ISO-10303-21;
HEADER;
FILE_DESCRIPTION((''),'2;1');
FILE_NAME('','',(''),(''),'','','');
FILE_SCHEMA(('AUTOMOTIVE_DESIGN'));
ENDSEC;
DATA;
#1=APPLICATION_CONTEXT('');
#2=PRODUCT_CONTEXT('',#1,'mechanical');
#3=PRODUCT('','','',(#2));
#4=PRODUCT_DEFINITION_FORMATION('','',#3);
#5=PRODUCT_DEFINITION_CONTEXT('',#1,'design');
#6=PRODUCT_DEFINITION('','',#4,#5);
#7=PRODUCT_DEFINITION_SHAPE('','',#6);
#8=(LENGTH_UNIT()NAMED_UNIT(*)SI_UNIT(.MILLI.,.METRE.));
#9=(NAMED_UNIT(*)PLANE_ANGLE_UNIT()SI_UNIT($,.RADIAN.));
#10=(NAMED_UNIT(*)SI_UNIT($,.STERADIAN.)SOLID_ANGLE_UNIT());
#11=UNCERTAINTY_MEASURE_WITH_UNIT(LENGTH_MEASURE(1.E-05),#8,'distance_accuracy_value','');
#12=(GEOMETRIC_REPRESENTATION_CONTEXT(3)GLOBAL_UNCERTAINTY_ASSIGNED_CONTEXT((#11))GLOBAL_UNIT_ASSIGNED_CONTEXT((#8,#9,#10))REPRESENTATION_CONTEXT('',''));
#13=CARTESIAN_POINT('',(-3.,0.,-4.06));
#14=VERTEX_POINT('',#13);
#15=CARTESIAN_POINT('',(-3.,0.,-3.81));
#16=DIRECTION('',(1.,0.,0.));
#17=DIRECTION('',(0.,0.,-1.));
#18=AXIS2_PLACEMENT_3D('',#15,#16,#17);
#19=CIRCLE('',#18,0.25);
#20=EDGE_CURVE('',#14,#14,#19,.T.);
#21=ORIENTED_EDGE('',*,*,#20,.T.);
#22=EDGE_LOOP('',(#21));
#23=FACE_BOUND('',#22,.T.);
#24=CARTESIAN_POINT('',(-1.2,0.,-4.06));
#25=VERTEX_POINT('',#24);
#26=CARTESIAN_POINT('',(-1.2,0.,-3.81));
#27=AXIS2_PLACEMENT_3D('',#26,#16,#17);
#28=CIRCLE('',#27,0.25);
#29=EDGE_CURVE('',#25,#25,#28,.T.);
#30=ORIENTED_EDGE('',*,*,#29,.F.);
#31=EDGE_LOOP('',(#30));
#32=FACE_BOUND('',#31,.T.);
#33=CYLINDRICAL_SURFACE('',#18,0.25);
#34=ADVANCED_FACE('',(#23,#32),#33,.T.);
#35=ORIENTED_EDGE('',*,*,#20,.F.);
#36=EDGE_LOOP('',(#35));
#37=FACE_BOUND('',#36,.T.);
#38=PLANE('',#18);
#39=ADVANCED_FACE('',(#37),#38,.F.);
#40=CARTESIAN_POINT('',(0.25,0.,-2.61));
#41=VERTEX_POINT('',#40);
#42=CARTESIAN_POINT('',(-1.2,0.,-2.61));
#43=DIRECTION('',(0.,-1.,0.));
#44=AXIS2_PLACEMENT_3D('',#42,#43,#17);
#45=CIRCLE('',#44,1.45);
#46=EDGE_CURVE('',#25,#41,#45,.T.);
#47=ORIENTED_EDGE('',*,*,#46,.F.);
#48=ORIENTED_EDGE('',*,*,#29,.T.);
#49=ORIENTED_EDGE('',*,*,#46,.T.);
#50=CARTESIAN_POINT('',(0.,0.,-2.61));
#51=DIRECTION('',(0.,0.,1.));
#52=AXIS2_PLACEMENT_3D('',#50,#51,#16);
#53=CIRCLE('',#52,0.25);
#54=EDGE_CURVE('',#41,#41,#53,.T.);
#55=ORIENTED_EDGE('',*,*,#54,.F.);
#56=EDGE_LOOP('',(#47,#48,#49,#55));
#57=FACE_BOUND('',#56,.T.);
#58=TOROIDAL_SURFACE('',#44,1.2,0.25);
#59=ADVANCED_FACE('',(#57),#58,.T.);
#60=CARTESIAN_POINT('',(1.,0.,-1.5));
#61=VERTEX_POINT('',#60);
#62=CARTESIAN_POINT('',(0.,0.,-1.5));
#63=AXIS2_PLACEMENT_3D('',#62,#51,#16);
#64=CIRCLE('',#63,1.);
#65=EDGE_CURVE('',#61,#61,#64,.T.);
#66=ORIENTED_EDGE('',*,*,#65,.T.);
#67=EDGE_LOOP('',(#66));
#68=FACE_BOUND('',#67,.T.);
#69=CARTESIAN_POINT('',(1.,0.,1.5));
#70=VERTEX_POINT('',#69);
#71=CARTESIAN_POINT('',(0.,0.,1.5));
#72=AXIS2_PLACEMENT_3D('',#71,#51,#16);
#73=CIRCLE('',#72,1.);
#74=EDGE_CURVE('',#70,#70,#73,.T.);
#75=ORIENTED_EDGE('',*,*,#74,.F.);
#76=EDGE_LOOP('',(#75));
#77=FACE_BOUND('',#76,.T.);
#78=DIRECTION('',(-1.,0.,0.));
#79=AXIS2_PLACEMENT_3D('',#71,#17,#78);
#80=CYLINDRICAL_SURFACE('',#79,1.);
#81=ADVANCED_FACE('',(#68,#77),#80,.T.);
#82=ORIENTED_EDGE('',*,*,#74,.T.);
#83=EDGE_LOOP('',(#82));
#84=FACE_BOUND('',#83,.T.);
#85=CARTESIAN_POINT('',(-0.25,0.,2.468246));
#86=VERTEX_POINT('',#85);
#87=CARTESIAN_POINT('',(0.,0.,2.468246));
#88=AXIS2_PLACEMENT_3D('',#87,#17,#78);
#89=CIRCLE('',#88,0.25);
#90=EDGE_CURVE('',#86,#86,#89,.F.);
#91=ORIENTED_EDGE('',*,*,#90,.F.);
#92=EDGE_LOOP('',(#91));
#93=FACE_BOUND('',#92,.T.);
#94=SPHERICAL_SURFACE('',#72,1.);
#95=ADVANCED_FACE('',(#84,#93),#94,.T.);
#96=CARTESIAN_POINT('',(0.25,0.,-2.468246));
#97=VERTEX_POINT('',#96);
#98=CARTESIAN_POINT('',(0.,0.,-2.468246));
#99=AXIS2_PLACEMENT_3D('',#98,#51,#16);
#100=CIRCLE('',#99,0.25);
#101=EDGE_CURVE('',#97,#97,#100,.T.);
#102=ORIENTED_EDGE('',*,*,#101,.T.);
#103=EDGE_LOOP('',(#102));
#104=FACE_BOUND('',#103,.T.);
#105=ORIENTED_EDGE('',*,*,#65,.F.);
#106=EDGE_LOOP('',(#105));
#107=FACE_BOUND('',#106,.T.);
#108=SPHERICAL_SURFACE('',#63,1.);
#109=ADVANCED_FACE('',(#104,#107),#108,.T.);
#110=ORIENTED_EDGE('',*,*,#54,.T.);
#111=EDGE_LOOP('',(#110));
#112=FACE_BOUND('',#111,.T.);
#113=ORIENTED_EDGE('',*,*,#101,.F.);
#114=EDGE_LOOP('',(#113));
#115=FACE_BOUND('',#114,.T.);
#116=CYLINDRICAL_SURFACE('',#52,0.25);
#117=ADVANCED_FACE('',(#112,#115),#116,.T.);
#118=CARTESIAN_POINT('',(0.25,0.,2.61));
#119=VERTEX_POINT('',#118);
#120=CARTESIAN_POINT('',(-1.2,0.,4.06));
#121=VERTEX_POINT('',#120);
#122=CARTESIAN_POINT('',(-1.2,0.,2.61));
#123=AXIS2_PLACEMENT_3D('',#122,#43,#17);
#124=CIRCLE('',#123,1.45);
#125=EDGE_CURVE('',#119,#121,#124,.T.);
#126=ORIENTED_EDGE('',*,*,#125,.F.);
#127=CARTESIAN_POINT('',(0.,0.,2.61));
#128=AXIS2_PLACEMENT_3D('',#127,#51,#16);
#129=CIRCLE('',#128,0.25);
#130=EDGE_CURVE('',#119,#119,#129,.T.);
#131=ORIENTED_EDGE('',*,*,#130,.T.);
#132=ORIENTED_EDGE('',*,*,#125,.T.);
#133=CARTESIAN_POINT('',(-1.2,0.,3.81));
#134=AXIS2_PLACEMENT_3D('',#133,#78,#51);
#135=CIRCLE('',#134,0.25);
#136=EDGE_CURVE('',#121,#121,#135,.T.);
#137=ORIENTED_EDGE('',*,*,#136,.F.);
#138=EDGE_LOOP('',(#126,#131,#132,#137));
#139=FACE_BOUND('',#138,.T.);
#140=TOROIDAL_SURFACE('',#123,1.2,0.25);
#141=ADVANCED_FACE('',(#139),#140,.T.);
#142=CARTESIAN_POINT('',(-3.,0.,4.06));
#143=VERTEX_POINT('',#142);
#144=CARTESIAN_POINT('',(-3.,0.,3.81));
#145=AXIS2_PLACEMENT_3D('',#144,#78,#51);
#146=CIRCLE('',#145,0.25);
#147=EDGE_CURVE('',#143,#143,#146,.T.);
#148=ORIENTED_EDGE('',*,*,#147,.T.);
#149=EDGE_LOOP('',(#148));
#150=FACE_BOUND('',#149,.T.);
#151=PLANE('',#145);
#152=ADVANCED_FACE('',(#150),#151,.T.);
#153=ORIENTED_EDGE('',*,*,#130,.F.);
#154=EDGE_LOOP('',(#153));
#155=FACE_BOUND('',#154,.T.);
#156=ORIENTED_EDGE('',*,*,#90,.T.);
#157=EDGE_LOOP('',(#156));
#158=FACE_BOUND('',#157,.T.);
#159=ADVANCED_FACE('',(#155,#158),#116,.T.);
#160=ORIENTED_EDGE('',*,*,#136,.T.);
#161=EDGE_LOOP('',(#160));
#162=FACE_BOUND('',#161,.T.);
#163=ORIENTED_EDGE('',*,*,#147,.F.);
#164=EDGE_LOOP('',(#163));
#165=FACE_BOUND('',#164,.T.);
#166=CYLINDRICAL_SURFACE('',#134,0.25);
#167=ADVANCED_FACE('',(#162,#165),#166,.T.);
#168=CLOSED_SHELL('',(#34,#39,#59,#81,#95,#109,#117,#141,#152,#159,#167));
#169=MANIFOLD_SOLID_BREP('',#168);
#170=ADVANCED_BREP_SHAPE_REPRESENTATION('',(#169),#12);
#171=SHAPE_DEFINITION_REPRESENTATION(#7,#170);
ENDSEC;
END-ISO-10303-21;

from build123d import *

# Parameters (mm, degrees)
SKETCH1_R           = 1
BOSS_EXTRUDE1_DEPTH = 1.5
DOME1_FACE_RADIUS   = 1
DOME1_HEIGHT        = 1
DOME2_FACE_RADIUS   = 1
DOME2_HEIGHT        = 1
SKETCH4_R           = 0.25


with BuildPart() as part:
    # Sketch1 → Boss-Extrude1 (new, symmetric)
    with BuildSketch(Plane.XY):
        Circle(SKETCH1_R)
    extrude(amount=BOSS_EXTRUDE1_DEPTH, both=True)

    # Dome1: a dome of height H over a round flat face of radius A is a cap of a sphere of radius (A * A + H * H) / (2 * H)
    dome1_r = (DOME1_FACE_RADIUS * DOME1_FACE_RADIUS + DOME1_HEIGHT * DOME1_HEIGHT) / (2 * DOME1_HEIGHT)
    dome1_base = Plane((0, 0, 1.5), z_dir=(0, 0, 1))
    with Locations(dome1_base.offset(DOME1_HEIGHT - dome1_r)):
        dome1_ball = Sphere(dome1_r, mode=Mode.PRIVATE)
    add(split(dome1_ball, bisect_by=dome1_base, keep=Keep.TOP, mode=Mode.PRIVATE))

    # Dome2: a dome of height H over a round flat face of radius A is a cap of a sphere of radius (A * A + H * H) / (2 * H)
    dome2_r = (DOME2_FACE_RADIUS * DOME2_FACE_RADIUS + DOME2_HEIGHT * DOME2_HEIGHT) / (2 * DOME2_HEIGHT)
    dome2_base = Plane((0, 0, -1.5), z_dir=(0, 0, -1))
    with Locations(dome2_base.offset(DOME2_HEIGHT - dome2_r)):
        dome2_ball = Sphere(dome2_r, mode=Mode.PRIVATE)
    add(split(dome2_ball, bisect_by=dome2_base, keep=Keep.TOP, mode=Mode.PRIVATE))

    # Sweep1: sweep along a path in Sketch3
    with BuildLine(Plane(origin=(0, 0, 0), x_dir=(1, 0, 0), z_dir=(0, 1, 0))) as sweep1_path:
        Line((-3, -3.81), (-1.2, -3.81))
        ThreePointArc((-1.2, -3.81), (-0.351471863, -3.458528137), (0, -2.61))
        Line((0, -2.61), (0, 2.61))
        ThreePointArc((0, 2.61), (-0.351471863, 3.458528137), (-1.2, 3.81))
        Line((-1.2, 3.81), (-3, 3.81))
    # Sketch4 → Sweep1 (sweep)
    with BuildSketch(Plane.XY):
        Circle(SKETCH4_R)
    sweep(path=sweep1_path.line)


solid = part.part
